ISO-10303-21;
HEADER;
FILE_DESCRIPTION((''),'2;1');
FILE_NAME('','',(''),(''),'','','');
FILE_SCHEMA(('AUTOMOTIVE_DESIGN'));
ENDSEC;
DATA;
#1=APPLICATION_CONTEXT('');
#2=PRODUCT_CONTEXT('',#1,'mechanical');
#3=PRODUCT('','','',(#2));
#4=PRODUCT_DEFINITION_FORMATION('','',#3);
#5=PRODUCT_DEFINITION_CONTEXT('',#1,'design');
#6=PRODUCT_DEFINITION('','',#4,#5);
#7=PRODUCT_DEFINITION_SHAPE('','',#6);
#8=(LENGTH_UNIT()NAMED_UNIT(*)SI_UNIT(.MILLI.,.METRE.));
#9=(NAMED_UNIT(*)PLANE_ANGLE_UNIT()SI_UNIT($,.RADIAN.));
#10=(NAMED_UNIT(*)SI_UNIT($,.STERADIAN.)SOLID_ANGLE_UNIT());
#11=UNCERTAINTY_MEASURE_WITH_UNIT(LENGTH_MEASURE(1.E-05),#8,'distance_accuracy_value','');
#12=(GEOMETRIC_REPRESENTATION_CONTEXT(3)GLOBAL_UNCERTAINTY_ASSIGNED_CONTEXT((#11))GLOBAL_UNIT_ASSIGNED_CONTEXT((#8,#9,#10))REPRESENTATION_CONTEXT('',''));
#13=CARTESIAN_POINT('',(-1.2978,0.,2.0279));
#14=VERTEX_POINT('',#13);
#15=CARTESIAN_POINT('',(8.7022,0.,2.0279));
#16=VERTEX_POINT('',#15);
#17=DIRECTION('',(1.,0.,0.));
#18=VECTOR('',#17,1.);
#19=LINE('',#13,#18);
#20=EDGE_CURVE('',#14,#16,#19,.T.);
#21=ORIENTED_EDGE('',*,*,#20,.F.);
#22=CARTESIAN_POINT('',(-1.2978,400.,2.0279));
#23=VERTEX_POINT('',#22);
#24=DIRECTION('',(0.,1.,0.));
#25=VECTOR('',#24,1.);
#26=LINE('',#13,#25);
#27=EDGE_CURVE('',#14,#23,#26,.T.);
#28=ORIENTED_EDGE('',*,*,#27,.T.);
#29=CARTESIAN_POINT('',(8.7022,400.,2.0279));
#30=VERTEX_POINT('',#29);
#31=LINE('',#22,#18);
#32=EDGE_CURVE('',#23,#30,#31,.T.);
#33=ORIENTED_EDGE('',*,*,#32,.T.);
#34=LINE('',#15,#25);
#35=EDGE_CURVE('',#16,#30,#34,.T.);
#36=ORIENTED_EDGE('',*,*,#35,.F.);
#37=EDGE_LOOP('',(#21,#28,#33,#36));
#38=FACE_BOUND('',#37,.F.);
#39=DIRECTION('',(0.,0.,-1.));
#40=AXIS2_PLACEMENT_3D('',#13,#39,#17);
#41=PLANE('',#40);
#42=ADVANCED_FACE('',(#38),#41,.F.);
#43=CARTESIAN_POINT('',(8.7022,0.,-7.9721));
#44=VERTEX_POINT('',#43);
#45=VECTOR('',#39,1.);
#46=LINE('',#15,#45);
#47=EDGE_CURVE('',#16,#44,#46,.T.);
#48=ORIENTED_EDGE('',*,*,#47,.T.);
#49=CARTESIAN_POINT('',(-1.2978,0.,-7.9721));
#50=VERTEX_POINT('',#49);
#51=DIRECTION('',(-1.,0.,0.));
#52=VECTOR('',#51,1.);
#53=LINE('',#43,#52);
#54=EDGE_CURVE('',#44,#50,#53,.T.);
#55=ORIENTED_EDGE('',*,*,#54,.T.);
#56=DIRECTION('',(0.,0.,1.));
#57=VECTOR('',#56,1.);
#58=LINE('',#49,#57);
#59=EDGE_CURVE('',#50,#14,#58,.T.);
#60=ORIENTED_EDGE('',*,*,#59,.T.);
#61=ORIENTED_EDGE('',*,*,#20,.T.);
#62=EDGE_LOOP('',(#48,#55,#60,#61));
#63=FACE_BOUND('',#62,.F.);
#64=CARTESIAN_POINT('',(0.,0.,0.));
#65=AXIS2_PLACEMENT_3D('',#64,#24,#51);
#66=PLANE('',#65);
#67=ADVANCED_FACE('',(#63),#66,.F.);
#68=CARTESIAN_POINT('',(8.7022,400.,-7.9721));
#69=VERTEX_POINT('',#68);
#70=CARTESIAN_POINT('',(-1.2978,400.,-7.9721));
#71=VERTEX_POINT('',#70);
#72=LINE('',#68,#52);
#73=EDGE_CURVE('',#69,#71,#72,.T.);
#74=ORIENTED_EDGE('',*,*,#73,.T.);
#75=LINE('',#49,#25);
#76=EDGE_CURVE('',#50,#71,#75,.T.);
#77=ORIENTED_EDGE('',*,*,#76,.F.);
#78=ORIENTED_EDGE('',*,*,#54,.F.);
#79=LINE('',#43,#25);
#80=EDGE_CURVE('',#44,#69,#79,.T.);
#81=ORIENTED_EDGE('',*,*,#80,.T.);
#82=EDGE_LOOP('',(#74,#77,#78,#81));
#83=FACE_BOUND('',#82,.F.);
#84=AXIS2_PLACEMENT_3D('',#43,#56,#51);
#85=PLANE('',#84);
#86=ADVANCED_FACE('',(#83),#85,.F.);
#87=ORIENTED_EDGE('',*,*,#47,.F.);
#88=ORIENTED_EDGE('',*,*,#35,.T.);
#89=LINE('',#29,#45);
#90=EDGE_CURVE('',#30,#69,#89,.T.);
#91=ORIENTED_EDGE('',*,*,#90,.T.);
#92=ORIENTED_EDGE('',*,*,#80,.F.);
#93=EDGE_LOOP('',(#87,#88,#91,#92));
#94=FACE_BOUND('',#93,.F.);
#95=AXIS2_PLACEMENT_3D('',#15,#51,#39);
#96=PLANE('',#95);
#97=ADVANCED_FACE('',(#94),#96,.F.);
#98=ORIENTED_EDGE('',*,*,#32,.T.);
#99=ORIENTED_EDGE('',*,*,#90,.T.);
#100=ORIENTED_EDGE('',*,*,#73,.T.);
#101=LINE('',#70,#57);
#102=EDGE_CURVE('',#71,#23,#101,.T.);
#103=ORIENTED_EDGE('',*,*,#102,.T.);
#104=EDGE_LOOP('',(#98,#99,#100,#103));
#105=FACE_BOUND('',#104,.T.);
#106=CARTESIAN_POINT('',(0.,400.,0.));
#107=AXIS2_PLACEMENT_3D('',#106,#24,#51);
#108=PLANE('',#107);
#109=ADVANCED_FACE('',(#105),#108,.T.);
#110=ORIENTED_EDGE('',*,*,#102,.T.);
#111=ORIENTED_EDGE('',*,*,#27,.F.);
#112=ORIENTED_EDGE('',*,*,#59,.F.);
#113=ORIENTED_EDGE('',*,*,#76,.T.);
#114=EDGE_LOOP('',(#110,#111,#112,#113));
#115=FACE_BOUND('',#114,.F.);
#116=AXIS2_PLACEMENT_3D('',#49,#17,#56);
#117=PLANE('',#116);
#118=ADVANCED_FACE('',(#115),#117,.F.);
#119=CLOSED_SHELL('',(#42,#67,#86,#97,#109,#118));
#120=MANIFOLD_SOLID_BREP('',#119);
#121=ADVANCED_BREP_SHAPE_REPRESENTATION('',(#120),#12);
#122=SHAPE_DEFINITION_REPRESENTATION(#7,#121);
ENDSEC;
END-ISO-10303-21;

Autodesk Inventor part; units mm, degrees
ref_plane "YZ Plane" through (0, 0, 0) normal (1, 0, 0) x (0, 1, 0)
ref_plane "XZ Plane" through (0, 0, 0) normal (0, 1, 0) x (-1, 0, 0)
ref_plane "XY Plane" through (0, 0, 0) normal (0, 0, 1) x (1, 0, 0)
sketch "スケッチ1" plane through (0, 0, 0) normal (0, 1, 0) x (-1, 0, 0)
  line L0 (1.2978, 2.0279) -> (-8.7022, 2.0279)
  line L1 (-8.7022, 2.0279) -> (-8.7022, -7.9721)
  line L2 (-8.7022, -7.9721) -> (1.2978, -7.9721)
  line L3 (1.2978, -7.9721) -> (1.2978, 2.0279)
  point P0 (0, 0)
  dimension "d0" = 10
  dimension "d1" = 10
extrude "押し出し1" add sketch "スケッチ1" along normal blind 400
equation "\"BendRadius\" = Thickness"
equation "\"BendReliefWidth\" = Thickness"
equation "\"BendReliefDepth\" = 0.5 * Thickness"
equation "\"CornerReliefSize\" = 4 * Thickness"
equation "\"MinimumRemnant\" = 2 * Thickness"
equation "\"TransitionRadius\" = BendRadius"
equation "\"JacobiRadiusSize\" = BendRadius"
equation "\"GapSize\" = Thickness"
equation "\"Thickness\" = 0.5"
